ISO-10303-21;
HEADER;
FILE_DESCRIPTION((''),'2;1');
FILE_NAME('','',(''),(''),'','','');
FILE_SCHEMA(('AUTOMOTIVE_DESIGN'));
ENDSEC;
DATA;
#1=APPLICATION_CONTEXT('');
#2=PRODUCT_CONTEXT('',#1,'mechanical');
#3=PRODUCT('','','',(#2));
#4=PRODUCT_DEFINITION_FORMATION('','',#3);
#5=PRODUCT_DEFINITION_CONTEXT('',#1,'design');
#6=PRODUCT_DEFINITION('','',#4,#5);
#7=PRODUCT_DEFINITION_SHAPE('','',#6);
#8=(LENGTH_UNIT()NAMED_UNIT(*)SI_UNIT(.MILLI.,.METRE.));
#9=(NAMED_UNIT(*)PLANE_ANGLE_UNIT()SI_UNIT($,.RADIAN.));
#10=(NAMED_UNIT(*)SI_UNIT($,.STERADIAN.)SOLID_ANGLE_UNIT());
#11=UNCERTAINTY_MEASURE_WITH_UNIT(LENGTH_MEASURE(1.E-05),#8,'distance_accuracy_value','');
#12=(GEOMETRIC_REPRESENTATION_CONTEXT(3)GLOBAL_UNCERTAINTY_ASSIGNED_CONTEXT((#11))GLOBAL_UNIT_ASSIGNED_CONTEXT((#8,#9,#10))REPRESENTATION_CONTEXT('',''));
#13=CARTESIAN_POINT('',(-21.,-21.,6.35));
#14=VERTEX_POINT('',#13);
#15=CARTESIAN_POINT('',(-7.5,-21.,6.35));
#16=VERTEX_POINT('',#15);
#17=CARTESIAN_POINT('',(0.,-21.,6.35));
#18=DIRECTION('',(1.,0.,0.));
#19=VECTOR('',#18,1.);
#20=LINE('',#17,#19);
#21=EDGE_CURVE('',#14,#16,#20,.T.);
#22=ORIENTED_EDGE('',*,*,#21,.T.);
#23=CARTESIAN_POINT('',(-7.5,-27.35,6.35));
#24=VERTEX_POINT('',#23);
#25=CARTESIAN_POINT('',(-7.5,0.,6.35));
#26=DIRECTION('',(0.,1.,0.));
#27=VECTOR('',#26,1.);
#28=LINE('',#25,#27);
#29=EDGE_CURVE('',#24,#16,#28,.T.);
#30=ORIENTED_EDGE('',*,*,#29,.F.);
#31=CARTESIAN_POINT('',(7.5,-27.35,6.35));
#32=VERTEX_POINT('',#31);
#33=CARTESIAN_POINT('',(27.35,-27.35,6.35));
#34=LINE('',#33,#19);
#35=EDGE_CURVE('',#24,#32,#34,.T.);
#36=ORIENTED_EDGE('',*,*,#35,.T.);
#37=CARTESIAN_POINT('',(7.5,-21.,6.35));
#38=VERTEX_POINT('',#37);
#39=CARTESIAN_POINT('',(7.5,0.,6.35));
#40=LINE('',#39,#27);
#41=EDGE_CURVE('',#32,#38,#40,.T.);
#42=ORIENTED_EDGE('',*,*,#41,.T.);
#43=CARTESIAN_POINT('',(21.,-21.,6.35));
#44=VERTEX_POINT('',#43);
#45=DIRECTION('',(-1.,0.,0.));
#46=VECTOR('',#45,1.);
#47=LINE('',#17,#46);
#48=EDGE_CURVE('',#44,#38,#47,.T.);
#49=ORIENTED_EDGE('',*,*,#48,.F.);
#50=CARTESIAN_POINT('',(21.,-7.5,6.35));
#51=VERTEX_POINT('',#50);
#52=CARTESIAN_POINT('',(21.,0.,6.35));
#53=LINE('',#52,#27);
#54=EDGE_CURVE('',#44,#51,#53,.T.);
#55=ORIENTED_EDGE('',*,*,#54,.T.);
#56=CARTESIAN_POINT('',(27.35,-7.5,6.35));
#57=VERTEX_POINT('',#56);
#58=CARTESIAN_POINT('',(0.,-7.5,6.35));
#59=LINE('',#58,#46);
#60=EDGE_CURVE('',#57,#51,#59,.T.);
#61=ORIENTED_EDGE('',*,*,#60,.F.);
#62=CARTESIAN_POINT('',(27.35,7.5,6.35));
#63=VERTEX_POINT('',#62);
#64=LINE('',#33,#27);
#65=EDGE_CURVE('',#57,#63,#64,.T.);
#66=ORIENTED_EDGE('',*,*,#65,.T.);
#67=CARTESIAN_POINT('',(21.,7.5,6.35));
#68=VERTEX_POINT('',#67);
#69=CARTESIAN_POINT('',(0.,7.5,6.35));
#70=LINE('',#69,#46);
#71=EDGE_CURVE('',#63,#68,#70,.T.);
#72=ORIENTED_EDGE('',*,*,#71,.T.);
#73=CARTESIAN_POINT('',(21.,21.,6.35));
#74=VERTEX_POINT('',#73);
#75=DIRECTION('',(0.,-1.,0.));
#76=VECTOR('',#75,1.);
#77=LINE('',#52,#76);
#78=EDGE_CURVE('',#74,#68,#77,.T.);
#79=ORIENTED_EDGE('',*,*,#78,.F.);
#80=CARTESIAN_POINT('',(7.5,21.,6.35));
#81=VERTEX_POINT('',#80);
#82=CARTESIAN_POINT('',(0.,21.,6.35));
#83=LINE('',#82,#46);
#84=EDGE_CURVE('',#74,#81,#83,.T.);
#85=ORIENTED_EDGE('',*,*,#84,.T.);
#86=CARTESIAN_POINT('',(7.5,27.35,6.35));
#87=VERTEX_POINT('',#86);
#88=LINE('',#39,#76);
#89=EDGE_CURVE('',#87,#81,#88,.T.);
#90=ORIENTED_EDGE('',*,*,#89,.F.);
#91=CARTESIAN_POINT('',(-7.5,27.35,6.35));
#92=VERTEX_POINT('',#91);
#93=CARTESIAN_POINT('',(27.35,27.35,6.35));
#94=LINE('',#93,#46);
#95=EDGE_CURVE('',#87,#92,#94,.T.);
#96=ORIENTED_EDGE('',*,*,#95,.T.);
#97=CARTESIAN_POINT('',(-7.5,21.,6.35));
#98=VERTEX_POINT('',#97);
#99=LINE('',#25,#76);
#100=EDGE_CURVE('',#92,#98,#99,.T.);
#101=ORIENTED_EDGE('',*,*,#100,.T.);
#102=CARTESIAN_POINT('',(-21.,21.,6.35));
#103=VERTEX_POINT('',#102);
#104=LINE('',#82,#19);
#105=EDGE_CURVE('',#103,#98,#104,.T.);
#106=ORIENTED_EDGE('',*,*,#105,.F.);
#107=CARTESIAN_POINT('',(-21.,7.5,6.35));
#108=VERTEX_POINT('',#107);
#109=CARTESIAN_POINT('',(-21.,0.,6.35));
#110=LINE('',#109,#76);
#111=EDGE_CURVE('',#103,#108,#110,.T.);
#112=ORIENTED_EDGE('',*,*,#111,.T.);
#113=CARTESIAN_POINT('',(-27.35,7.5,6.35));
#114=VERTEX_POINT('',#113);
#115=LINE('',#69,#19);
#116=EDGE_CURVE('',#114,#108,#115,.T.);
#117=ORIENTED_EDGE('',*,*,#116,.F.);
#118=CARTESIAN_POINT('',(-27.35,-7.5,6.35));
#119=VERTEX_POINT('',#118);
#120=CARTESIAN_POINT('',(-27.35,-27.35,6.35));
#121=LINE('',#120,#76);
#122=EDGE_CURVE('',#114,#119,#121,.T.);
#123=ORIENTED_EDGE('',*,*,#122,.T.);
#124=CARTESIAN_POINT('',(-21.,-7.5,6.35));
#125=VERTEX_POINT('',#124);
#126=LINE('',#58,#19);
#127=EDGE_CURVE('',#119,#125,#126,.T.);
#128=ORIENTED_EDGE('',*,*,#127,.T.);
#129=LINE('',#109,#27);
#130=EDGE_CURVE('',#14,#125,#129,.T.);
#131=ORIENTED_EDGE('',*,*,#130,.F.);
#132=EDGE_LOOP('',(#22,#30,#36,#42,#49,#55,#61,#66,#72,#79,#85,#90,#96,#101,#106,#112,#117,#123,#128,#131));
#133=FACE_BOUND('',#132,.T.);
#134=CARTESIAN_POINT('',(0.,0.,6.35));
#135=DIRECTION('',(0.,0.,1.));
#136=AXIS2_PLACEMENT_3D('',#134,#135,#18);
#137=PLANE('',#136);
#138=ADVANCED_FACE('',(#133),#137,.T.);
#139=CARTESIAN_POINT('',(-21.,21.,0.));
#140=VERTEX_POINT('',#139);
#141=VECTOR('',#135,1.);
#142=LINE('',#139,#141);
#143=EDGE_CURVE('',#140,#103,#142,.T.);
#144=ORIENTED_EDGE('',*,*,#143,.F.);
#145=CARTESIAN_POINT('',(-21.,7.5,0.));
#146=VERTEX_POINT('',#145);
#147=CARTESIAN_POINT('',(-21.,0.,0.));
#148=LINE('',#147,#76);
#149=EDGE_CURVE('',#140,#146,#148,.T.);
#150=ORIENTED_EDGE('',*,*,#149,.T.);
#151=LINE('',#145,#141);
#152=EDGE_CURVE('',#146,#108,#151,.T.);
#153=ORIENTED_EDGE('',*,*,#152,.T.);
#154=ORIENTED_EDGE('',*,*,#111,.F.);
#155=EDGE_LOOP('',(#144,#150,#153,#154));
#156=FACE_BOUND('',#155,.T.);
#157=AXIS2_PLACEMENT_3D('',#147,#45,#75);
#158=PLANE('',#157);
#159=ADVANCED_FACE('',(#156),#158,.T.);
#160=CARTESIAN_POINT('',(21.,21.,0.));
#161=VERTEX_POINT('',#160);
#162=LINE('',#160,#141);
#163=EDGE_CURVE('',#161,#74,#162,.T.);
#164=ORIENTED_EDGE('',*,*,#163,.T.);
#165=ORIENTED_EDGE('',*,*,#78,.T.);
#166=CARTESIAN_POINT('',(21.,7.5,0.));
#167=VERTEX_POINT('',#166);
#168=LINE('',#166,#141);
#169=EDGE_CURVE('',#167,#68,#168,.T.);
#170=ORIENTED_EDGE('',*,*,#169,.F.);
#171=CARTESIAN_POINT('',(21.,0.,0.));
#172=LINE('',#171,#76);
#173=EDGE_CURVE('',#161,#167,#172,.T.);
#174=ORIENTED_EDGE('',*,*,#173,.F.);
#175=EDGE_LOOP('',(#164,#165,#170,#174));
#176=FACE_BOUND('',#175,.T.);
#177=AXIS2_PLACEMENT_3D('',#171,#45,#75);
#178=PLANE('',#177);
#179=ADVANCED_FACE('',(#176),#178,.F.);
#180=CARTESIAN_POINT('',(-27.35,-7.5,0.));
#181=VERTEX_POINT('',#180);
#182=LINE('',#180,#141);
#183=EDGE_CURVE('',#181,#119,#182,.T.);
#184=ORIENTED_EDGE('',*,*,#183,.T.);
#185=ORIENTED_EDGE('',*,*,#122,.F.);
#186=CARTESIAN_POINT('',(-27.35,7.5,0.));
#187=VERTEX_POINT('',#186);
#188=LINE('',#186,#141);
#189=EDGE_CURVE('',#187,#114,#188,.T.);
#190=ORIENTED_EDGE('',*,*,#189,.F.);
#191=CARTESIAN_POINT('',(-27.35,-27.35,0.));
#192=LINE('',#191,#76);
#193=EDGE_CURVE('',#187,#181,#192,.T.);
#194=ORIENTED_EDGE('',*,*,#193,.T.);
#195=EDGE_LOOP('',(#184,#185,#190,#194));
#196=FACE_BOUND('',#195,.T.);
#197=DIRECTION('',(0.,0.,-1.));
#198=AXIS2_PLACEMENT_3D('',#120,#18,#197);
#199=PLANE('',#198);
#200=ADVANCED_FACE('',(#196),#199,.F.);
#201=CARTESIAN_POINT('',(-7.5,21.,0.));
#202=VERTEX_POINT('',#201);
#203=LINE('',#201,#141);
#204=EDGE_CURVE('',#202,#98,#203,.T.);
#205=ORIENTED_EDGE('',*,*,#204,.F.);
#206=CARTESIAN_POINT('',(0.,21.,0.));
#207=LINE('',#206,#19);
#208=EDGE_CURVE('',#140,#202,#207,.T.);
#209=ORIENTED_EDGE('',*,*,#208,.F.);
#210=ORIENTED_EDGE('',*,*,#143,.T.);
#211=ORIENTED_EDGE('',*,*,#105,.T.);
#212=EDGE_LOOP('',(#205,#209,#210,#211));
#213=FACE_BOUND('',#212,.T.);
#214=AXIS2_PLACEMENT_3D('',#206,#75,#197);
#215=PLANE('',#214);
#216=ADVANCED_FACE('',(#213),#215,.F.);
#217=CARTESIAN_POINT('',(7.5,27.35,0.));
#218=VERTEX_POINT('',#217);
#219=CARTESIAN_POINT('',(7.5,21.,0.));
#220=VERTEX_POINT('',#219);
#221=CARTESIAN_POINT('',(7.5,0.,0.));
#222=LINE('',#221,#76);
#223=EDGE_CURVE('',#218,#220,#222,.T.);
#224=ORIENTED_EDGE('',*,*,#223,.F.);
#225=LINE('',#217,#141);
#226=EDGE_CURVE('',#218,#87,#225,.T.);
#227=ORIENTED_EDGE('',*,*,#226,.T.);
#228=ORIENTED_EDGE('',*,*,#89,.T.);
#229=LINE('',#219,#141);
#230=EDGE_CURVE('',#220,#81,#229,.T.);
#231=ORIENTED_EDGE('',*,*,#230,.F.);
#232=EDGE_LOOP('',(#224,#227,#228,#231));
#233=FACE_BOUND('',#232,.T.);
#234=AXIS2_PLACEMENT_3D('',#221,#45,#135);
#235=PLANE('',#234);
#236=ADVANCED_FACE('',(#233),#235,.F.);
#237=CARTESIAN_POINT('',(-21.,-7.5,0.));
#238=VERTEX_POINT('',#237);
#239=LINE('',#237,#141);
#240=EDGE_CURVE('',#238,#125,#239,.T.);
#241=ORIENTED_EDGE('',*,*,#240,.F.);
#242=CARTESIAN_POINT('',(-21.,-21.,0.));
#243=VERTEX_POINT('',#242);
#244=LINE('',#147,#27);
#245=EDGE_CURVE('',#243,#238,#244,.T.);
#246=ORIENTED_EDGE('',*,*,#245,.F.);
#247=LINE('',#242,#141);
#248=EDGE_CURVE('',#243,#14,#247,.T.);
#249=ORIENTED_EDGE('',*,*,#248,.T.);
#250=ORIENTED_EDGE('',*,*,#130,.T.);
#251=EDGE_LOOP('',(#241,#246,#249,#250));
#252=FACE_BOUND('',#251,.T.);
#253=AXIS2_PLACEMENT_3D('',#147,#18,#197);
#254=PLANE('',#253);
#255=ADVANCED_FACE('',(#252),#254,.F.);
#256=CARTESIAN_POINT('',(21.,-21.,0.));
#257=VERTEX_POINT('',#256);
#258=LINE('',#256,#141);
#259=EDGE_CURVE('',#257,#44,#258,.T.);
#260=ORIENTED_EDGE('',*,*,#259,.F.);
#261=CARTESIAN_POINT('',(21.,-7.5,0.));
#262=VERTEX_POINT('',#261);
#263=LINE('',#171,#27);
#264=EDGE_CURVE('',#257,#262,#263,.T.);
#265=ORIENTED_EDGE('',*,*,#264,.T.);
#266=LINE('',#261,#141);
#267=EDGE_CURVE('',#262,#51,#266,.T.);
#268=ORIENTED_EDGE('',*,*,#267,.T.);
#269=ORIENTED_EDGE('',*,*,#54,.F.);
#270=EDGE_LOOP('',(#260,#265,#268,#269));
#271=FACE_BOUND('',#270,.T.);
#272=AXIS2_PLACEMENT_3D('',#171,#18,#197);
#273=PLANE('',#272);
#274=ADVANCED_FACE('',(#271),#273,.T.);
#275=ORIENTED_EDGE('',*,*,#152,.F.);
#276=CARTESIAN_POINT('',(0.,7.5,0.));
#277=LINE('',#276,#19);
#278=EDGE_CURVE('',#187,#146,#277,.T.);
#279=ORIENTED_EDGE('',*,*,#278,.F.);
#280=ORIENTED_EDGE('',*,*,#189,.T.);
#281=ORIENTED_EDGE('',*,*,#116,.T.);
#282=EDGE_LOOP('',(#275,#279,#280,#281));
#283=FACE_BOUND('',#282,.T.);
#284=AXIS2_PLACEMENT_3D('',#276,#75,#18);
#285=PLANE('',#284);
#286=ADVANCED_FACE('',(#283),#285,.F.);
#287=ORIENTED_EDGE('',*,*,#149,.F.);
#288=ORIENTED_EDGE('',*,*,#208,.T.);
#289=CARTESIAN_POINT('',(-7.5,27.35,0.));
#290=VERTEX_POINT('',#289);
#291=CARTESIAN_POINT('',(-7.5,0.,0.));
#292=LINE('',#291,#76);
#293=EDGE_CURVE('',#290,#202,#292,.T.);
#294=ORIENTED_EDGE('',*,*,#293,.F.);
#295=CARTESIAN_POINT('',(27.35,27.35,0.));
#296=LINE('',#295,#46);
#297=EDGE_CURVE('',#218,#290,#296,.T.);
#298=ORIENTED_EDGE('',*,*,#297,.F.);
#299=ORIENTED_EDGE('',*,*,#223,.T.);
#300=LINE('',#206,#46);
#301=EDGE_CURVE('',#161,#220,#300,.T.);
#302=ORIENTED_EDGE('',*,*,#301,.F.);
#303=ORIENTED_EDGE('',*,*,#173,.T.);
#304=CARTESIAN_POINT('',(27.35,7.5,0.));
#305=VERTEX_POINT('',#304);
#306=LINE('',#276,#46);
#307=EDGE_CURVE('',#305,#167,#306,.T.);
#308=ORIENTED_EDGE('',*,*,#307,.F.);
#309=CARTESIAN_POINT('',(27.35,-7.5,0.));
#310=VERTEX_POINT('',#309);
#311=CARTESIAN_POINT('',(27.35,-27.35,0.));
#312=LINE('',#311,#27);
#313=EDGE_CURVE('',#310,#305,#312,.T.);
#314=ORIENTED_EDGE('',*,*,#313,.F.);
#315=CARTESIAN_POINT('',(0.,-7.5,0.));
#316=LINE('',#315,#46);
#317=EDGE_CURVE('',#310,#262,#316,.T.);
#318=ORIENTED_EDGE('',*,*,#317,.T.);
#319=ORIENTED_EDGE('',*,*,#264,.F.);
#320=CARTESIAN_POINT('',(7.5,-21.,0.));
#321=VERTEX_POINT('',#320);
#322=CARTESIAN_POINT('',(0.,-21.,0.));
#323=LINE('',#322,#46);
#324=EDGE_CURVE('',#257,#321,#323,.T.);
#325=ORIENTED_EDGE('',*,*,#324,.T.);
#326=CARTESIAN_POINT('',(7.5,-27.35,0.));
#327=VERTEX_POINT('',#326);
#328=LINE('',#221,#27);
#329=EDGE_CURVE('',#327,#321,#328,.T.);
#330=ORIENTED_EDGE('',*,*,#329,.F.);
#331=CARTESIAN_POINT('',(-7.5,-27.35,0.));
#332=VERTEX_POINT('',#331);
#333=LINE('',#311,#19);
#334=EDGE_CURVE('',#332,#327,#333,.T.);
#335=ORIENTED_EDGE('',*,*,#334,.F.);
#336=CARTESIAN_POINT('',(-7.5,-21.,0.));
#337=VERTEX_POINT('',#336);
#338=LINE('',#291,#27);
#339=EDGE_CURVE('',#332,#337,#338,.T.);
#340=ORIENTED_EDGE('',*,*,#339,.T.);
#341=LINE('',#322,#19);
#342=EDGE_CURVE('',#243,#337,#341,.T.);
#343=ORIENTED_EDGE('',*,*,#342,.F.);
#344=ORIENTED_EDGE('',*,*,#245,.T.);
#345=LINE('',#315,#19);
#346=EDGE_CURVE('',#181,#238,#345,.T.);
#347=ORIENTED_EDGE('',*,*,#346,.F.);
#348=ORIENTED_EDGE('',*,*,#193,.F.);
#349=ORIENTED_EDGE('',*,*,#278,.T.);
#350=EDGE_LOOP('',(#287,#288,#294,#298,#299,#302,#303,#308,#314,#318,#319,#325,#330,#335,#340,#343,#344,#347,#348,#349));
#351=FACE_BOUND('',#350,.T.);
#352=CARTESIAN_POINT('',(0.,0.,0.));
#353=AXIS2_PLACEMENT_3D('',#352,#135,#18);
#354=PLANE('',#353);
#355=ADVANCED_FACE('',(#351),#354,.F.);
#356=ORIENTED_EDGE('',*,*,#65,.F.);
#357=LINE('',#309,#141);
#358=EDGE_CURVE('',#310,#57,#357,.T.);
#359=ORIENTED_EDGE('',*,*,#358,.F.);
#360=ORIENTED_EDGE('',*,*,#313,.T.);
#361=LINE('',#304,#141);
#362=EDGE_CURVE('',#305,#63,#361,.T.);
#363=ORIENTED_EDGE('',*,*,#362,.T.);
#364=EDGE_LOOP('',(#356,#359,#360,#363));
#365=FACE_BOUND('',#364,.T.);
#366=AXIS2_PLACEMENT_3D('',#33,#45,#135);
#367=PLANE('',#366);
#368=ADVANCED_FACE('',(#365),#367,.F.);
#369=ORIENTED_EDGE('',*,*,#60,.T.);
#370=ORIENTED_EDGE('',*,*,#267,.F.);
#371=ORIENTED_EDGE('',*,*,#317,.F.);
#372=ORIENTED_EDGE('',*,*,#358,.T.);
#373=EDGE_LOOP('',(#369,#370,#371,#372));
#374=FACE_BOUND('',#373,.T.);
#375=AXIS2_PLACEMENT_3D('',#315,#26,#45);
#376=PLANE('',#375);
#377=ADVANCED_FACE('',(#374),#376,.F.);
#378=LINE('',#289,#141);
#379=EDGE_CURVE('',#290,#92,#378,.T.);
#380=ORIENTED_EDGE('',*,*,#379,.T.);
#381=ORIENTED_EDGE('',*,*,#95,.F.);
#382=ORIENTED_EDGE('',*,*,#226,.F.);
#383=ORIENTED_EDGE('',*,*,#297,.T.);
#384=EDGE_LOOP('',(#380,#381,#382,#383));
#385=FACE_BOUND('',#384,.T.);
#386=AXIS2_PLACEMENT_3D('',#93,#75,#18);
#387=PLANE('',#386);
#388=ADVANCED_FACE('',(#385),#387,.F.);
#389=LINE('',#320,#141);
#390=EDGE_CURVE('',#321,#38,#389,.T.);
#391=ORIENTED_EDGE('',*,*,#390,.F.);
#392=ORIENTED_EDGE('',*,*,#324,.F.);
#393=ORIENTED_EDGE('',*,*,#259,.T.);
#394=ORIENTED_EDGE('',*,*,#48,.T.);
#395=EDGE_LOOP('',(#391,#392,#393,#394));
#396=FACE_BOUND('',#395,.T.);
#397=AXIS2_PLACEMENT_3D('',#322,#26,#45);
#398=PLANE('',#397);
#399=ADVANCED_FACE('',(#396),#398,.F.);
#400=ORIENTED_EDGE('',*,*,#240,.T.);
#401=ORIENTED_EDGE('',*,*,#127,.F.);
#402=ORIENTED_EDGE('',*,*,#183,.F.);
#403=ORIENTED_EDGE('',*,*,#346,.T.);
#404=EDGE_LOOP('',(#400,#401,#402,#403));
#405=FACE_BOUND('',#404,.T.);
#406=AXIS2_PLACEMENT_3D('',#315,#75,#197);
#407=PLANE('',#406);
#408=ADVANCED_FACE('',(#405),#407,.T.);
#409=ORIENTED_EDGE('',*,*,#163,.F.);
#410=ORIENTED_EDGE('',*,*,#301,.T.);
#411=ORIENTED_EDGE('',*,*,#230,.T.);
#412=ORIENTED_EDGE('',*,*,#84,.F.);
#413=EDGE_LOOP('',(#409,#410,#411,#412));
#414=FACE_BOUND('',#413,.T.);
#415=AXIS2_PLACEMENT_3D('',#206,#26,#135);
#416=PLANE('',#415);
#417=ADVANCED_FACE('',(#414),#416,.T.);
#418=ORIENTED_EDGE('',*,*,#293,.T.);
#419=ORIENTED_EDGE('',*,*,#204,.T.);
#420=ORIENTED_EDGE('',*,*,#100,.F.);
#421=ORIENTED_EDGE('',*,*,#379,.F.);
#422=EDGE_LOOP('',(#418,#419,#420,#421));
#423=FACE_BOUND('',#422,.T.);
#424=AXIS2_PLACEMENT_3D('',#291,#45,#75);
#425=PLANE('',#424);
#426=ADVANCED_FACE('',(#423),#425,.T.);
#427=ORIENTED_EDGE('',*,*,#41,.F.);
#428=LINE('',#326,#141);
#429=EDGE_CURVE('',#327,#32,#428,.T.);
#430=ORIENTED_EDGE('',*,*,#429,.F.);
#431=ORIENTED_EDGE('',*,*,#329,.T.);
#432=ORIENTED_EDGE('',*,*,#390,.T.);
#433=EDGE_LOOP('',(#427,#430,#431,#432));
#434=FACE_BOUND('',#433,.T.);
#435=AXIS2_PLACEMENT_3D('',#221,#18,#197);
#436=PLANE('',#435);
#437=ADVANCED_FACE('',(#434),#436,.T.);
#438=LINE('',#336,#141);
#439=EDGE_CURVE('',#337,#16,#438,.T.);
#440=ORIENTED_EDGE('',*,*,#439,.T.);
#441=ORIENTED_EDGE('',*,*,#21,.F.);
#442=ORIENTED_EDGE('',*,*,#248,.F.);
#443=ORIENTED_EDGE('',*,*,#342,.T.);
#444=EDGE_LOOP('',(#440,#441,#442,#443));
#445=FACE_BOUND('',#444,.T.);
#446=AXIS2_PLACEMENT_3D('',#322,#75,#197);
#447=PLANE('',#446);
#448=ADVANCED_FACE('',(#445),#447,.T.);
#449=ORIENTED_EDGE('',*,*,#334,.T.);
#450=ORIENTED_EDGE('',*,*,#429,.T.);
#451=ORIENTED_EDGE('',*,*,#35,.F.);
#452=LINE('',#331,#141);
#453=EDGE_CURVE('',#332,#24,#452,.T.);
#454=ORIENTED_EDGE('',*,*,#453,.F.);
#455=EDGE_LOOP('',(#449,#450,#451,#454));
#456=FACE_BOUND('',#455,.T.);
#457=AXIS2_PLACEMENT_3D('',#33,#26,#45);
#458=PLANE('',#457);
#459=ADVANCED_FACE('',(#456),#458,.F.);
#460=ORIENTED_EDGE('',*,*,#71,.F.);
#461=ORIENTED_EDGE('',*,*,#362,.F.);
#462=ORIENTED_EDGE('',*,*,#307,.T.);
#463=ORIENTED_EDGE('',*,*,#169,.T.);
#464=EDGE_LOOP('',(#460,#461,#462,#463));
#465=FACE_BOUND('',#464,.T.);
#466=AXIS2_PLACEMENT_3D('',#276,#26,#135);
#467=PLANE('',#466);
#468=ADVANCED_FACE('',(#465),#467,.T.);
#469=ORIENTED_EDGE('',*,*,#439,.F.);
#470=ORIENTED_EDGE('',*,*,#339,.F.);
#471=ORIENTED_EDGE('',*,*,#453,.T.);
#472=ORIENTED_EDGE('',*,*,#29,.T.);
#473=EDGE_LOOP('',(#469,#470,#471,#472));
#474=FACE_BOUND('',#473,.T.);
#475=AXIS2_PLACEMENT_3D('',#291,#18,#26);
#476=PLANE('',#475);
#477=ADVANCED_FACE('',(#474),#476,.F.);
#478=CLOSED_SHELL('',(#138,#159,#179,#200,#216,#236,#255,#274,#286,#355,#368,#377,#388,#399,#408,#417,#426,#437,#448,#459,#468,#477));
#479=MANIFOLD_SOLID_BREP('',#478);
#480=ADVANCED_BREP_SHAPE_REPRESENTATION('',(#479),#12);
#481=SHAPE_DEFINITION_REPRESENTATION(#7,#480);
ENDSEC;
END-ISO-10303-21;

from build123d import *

# Parameters (mm, degrees)
SKETCH1_W           = 54.7
SKETCH1_H           = 54.7
BOSS_EXTRUDE1_DEPTH = 6.35
SKETCH2_W           = 6.35
SKETCH2_H           = 13.5
SKETCH2_H_2         = 6.35
SKETCH2_W_2         = 13.5
CUT_EXTRUDE1_DEPTH  = 40.196524081


with BuildPart() as part:
    # Sketch1 → Boss-Extrude1 (new body)
    with BuildSketch(Plane.XY):
        Rectangle(SKETCH1_W, SKETCH1_H)
    extrude(amount=BOSS_EXTRUDE1_DEPTH)

    # Sketch2 → Cut-Extrude1 (cut, through all)
    with BuildSketch(Plane.XY.offset(6.35)):
        with Locations((-24.175, 14.25)):
            Rectangle(SKETCH2_W, SKETCH2_H)
        with Locations((-24.175, 24.175)):
            Rectangle(SKETCH2_W, SKETCH2_H_2)
        with Locations((-14.25, 24.175)):
            Rectangle(SKETCH2_W_2, SKETCH2_H_2)
        with Locations((14.25, 24.175)):
            Rectangle(SKETCH2_W_2, SKETCH2_H_2)
        with Locations((24.175, 24.175)):
            Rectangle(SKETCH2_W, SKETCH2_H_2)
        with Locations((24.175, 14.25)):
            Rectangle(SKETCH2_W, SKETCH2_H)
        with Locations((24.175, -14.25)):
            Rectangle(SKETCH2_W, SKETCH2_H)
        with Locations((24.175, -24.175)):
            Rectangle(SKETCH2_W, SKETCH2_H_2)
        with Locations((14.25, -24.175)):
            Rectangle(SKETCH2_W_2, SKETCH2_H_2)
        with Locations((-14.25, -24.175)):
            Rectangle(SKETCH2_W_2, SKETCH2_H_2)
        with Locations((-24.175, -24.175)):
            Rectangle(SKETCH2_W, SKETCH2_H_2)
        with Locations((-24.175, -14.25)):
            Rectangle(SKETCH2_W, SKETCH2_H)
    extrude(amount=-CUT_EXTRUDE1_DEPTH, mode=Mode.SUBTRACT)


solid = part.part
